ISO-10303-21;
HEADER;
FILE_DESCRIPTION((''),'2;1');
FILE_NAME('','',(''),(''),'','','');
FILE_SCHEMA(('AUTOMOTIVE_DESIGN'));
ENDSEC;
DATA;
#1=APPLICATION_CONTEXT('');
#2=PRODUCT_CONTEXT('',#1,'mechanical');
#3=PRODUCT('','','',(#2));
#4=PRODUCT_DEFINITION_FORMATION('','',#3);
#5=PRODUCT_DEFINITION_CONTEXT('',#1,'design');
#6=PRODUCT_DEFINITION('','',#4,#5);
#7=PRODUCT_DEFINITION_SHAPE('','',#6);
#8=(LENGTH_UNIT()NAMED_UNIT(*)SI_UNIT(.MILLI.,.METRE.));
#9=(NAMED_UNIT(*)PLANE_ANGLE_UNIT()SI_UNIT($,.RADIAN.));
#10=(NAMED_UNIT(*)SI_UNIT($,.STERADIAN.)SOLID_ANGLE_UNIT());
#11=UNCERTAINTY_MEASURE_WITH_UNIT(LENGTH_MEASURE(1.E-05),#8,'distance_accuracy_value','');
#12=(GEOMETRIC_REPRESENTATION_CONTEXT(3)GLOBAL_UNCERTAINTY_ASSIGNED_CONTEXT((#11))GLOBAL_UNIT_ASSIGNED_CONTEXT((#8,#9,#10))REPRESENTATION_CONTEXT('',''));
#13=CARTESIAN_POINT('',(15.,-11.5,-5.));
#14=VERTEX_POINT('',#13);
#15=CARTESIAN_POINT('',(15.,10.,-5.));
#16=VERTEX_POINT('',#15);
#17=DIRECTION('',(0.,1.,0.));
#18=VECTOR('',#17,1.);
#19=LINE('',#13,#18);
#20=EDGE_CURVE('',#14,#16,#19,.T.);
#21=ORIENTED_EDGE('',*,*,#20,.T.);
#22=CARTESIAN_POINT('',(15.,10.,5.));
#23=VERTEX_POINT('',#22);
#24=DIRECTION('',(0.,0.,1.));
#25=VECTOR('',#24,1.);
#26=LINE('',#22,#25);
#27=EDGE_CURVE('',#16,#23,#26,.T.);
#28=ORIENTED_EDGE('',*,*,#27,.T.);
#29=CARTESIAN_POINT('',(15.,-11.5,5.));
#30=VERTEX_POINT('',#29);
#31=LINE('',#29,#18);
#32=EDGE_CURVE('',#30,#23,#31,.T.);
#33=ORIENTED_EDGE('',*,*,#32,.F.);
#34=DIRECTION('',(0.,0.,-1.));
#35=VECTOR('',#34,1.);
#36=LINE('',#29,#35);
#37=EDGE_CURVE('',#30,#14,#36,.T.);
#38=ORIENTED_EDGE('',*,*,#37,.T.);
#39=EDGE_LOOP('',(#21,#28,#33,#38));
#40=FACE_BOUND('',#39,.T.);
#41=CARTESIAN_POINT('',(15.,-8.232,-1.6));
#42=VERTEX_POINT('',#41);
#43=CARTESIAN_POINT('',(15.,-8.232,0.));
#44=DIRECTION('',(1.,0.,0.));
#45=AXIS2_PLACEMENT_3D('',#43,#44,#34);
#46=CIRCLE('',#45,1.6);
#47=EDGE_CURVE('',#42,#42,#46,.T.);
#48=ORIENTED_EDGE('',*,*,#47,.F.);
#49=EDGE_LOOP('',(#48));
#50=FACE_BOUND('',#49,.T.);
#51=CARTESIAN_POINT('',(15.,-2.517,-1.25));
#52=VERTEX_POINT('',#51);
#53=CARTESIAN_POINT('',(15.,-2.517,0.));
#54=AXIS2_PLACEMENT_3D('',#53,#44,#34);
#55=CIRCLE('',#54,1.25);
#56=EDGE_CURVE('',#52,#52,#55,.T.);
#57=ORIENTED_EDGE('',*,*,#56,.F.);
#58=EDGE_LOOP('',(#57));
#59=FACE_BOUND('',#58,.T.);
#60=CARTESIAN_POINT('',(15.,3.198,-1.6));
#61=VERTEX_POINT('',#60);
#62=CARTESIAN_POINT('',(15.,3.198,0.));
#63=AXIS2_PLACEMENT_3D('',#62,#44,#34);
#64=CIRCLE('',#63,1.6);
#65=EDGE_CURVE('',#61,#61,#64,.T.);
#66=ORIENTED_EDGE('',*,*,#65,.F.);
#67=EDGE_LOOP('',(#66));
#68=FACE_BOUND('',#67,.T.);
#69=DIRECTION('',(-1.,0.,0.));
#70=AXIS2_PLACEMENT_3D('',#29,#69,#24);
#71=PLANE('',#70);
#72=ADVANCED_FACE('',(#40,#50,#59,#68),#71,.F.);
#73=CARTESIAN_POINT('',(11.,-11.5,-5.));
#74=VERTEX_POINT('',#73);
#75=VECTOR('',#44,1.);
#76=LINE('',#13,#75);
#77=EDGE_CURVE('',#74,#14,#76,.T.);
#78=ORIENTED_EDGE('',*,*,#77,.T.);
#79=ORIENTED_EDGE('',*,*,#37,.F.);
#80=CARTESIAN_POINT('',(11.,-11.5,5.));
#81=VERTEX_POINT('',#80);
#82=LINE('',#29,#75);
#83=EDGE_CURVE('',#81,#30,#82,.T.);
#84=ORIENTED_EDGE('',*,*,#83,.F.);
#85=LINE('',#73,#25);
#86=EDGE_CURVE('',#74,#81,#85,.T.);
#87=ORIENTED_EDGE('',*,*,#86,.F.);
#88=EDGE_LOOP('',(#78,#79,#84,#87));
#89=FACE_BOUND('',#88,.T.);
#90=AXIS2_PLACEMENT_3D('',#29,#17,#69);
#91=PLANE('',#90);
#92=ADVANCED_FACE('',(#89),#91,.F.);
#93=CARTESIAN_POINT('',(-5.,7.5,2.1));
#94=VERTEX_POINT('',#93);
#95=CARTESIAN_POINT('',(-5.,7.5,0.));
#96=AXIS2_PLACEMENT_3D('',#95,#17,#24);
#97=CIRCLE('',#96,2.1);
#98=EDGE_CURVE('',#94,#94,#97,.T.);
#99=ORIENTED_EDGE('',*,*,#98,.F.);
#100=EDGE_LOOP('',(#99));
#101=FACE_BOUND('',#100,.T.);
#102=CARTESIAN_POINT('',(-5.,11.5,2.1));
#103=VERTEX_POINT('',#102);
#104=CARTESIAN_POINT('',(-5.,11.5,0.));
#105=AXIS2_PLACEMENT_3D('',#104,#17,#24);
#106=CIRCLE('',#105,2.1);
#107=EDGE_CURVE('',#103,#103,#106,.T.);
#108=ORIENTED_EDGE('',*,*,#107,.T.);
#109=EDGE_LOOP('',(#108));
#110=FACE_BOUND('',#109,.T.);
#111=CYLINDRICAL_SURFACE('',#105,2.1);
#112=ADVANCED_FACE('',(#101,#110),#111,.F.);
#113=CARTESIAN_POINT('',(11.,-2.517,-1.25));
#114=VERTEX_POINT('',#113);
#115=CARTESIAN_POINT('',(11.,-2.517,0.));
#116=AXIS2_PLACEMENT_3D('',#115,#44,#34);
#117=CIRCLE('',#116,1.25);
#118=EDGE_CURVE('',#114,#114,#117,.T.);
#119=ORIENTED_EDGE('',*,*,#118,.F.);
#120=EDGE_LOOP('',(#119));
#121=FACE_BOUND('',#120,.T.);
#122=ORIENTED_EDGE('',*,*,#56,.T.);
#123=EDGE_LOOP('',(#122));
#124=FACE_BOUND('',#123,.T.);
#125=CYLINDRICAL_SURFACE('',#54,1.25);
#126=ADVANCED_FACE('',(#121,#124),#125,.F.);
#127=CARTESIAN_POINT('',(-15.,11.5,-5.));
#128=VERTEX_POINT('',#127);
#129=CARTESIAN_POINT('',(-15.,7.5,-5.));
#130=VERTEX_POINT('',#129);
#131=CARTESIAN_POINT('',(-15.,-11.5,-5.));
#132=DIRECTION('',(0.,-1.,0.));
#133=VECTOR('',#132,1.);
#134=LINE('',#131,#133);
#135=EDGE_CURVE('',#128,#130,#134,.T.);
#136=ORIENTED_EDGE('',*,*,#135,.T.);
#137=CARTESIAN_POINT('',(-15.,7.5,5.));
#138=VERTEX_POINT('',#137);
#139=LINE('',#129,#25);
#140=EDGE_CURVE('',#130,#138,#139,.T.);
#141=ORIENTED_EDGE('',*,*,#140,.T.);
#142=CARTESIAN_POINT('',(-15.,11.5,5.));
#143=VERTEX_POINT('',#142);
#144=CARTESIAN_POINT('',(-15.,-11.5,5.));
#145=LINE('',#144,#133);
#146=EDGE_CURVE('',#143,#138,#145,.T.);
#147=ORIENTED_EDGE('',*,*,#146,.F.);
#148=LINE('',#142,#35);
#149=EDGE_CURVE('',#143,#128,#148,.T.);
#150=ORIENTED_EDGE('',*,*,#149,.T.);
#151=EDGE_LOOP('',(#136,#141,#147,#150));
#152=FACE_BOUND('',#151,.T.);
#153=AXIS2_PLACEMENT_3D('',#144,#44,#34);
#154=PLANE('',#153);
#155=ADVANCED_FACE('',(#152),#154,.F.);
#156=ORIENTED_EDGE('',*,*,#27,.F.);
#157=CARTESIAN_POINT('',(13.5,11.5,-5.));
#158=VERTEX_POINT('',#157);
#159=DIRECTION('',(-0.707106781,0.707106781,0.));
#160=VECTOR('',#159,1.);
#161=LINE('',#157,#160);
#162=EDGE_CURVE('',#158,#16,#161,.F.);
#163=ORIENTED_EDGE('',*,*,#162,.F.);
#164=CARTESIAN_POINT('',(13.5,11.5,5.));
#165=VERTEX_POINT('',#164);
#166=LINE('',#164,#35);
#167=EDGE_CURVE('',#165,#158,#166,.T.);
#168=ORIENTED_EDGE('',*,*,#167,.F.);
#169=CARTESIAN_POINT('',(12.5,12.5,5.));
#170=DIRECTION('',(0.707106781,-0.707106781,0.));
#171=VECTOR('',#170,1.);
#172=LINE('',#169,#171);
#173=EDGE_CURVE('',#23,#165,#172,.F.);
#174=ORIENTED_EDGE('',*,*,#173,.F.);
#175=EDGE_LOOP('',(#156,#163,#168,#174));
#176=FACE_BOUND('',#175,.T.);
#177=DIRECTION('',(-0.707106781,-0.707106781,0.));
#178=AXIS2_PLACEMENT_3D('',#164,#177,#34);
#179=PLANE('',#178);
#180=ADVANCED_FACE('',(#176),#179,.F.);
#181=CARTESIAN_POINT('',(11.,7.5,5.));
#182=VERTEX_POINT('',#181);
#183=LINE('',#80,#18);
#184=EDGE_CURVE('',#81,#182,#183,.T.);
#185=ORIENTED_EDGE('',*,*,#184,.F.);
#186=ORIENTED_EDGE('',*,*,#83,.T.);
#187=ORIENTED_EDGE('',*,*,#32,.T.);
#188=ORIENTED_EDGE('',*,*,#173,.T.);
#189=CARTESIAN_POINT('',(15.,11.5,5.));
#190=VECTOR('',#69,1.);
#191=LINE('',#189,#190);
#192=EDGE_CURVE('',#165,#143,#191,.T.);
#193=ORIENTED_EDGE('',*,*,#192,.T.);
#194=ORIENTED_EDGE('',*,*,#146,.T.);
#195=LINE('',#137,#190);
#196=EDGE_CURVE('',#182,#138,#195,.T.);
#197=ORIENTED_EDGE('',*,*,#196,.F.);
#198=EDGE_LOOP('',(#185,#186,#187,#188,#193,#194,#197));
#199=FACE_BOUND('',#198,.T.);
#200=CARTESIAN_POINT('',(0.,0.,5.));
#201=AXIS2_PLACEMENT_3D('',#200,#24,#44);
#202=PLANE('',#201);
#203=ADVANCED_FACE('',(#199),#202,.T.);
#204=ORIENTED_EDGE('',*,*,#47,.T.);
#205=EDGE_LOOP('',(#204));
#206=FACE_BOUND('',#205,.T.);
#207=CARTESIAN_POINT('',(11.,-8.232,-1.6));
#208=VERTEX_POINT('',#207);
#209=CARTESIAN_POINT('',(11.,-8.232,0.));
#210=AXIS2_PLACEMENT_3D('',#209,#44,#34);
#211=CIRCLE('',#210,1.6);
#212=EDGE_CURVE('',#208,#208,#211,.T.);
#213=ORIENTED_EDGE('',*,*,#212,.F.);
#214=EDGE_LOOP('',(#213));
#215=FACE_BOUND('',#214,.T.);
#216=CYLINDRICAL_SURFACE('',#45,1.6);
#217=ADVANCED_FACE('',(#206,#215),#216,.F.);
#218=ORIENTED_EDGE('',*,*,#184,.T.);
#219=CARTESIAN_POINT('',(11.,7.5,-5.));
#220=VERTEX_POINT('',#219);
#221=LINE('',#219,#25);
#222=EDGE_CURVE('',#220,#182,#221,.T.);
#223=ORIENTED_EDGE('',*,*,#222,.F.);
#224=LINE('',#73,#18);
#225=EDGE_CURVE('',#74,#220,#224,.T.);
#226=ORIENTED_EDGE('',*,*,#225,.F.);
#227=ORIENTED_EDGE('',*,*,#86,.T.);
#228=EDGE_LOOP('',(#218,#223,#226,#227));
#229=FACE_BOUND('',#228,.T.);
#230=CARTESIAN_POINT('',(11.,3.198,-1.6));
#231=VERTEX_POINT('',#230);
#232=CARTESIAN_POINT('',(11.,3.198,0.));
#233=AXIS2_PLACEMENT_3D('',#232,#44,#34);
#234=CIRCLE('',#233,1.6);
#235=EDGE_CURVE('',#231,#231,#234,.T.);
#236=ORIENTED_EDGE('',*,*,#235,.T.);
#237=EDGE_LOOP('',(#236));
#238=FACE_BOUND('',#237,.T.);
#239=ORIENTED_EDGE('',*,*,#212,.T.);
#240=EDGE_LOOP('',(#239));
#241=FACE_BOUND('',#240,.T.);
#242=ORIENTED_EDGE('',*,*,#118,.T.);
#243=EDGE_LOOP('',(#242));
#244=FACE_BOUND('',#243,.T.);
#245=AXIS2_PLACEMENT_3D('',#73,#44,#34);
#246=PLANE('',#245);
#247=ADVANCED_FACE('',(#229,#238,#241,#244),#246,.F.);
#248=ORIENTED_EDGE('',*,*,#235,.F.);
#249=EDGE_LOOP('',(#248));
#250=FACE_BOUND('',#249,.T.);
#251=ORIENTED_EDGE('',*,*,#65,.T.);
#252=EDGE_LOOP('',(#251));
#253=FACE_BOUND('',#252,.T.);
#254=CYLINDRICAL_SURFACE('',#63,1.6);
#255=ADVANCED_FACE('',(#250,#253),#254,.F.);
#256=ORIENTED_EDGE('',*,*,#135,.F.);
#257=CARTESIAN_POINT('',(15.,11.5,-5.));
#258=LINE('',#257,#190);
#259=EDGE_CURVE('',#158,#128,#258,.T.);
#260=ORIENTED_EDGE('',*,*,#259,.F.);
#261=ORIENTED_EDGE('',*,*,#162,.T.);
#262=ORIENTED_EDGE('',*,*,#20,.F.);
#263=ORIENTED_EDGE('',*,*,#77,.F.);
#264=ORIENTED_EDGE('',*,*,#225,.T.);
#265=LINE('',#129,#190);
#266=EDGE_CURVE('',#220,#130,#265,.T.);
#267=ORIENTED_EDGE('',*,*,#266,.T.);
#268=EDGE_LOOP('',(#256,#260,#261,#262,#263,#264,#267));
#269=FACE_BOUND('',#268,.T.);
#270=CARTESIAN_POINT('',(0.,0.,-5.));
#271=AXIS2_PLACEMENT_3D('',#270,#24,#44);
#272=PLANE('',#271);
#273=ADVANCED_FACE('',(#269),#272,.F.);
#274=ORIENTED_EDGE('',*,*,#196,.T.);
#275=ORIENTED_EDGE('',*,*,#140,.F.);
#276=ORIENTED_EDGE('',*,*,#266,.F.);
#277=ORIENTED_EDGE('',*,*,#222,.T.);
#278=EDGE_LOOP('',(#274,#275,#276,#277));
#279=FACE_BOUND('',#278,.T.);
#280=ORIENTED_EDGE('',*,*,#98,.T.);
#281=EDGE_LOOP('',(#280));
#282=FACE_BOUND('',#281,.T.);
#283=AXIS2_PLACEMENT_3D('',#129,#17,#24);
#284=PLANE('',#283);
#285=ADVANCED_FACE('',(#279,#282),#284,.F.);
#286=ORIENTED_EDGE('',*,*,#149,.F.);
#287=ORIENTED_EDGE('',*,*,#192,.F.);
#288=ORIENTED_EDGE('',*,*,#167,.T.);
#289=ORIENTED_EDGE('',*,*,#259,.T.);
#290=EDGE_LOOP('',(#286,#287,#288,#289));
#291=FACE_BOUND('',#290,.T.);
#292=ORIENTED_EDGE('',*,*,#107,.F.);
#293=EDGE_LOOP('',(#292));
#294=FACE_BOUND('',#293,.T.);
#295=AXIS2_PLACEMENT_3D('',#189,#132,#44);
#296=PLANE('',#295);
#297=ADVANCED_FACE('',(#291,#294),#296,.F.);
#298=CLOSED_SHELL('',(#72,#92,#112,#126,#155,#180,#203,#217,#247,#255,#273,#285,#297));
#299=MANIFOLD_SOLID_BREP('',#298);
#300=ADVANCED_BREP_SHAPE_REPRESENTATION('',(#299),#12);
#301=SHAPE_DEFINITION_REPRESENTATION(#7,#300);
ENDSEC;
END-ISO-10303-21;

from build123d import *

# Parameters (mm, degrees)
SKETCH1_W                          = 30
SKETCH1_H                          = 23
BOSS_EXTRUDE1_DEPTH                = 5
SKETCH2_W                          = 26
SKETCH2_H                          = 19
CUT_EXTRUDE1_DEPTH                 = 22.38340478
CHAMFER1_SIZE                      = 1.5
TAPPED_HOLE_FOR_M4X0_7_HELICOIL1_D = 4.2
M3_CLEARANCE_HOLE1_D               = 3.2
M3_TAPPED_HOLE1_D                  = 2.5


with BuildPart() as part:
    # Sketch1 → Boss-Extrude1 (new, symmetric)
    with BuildSketch(Plane.XY):
        Rectangle(SKETCH1_W, SKETCH1_H)
    extrude(amount=BOSS_EXTRUDE1_DEPTH, both=True)

    # Sketch2 → Cut-Extrude1 (cut, through all)
    with BuildSketch(Plane.XY.offset(5)):
        with Locations((-2, -2)):
            Rectangle(SKETCH2_W, SKETCH2_H)
    extrude(amount=-CUT_EXTRUDE1_DEPTH, mode=Mode.SUBTRACT)

    # Chamfer1
    chamfer1_edges = [part.edges().sort_by_distance(p)[0] for p in [
        (15, 11.5, 0),
    ]]
    chamfer(chamfer1_edges, length=CHAMFER1_SIZE)

    # Tapped Hole for M4x0.7 Helicoil1 (through all)
    with Locations(Plane(origin=(0, 11.5, 0), x_dir=(1, 0, 0), z_dir=(0, 1, 0))):
        with Locations((-5, 0)):
            Hole(TAPPED_HOLE_FOR_M4X0_7_HELICOIL1_D / 2)

    # M3 Clearance Hole1 (through all)
    with Locations(Plane(origin=(15, 0, 0), x_dir=(0, 0, -1), z_dir=(1, 0, 0))):
        with Locations((0, -8.232), (0, 3.198)):
            Hole(M3_CLEARANCE_HOLE1_D / 2)

    # M3 Tapped Hole1 (through all)
    with Locations(Plane(origin=(15, 0, 0), x_dir=(0, 0, -1), z_dir=(1, 0, 0))):
        with Locations((0, -2.517)):
            Hole(M3_TAPPED_HOLE1_D / 2)


solid = part.part
